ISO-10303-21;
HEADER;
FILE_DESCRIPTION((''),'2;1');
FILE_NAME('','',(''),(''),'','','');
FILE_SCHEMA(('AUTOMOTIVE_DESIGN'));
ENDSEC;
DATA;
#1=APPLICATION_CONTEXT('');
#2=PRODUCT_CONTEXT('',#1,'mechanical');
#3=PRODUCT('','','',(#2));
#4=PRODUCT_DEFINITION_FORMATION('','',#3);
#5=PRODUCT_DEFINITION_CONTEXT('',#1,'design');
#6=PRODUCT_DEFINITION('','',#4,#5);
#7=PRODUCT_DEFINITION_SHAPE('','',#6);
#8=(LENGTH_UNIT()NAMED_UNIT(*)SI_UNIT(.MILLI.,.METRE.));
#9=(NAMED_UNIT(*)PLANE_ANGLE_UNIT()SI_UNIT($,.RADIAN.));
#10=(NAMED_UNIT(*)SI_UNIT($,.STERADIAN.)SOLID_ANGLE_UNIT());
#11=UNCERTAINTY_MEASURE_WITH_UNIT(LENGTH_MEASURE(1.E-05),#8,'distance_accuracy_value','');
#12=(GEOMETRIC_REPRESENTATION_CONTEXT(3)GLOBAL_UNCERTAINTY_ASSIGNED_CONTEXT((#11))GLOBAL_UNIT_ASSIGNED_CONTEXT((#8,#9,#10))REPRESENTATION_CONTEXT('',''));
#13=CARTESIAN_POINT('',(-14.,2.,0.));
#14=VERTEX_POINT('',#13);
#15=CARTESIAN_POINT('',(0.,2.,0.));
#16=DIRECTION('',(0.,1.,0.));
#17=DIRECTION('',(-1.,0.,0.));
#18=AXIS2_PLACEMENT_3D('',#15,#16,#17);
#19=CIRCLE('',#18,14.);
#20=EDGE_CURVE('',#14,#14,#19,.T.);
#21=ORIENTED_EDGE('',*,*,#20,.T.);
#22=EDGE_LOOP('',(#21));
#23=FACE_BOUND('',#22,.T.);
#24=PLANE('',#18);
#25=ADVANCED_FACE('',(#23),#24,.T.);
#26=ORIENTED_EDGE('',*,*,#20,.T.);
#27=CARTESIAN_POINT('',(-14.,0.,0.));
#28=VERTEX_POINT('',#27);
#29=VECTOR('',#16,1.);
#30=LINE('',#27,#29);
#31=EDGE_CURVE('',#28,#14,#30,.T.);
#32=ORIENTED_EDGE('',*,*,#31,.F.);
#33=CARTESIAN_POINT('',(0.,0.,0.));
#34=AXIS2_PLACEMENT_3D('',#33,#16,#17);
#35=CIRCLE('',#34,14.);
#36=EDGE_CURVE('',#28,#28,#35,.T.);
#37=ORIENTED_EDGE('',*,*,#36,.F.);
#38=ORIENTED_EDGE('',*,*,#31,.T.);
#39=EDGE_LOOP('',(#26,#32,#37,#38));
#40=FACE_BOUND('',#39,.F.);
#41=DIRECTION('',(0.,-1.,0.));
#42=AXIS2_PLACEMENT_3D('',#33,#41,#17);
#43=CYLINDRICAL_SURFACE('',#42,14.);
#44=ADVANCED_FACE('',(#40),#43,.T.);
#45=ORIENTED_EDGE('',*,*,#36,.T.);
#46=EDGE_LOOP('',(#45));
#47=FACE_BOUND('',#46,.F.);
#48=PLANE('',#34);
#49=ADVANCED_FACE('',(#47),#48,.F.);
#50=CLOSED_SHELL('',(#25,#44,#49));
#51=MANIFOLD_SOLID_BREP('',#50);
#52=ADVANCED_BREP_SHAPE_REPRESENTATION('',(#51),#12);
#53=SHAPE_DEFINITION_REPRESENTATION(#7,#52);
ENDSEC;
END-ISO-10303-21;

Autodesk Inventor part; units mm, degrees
ref_plane "YZ Plane" through (0, 0, 0) normal (1, 0, 0) x (0, 1, 0)
ref_plane "XZ Plane" through (0, 0, 0) normal (0, 1, 0) x (-1, 0, 0)
ref_plane "XY Plane" through (0, 0, 0) normal (0, 0, 1) x (1, 0, 0)
sketch "Sketch1" plane through (0, 0, 0) normal (0, 1, 0) x (-1, 0, 0)
  circle A0 centre (0, 0) radius 14
  dimension "d0" = 28
extrude "Extrusion1" add sketch "Sketch1" along normal blind 2
properties part number "boron powder" material "Silicon Nitride"
